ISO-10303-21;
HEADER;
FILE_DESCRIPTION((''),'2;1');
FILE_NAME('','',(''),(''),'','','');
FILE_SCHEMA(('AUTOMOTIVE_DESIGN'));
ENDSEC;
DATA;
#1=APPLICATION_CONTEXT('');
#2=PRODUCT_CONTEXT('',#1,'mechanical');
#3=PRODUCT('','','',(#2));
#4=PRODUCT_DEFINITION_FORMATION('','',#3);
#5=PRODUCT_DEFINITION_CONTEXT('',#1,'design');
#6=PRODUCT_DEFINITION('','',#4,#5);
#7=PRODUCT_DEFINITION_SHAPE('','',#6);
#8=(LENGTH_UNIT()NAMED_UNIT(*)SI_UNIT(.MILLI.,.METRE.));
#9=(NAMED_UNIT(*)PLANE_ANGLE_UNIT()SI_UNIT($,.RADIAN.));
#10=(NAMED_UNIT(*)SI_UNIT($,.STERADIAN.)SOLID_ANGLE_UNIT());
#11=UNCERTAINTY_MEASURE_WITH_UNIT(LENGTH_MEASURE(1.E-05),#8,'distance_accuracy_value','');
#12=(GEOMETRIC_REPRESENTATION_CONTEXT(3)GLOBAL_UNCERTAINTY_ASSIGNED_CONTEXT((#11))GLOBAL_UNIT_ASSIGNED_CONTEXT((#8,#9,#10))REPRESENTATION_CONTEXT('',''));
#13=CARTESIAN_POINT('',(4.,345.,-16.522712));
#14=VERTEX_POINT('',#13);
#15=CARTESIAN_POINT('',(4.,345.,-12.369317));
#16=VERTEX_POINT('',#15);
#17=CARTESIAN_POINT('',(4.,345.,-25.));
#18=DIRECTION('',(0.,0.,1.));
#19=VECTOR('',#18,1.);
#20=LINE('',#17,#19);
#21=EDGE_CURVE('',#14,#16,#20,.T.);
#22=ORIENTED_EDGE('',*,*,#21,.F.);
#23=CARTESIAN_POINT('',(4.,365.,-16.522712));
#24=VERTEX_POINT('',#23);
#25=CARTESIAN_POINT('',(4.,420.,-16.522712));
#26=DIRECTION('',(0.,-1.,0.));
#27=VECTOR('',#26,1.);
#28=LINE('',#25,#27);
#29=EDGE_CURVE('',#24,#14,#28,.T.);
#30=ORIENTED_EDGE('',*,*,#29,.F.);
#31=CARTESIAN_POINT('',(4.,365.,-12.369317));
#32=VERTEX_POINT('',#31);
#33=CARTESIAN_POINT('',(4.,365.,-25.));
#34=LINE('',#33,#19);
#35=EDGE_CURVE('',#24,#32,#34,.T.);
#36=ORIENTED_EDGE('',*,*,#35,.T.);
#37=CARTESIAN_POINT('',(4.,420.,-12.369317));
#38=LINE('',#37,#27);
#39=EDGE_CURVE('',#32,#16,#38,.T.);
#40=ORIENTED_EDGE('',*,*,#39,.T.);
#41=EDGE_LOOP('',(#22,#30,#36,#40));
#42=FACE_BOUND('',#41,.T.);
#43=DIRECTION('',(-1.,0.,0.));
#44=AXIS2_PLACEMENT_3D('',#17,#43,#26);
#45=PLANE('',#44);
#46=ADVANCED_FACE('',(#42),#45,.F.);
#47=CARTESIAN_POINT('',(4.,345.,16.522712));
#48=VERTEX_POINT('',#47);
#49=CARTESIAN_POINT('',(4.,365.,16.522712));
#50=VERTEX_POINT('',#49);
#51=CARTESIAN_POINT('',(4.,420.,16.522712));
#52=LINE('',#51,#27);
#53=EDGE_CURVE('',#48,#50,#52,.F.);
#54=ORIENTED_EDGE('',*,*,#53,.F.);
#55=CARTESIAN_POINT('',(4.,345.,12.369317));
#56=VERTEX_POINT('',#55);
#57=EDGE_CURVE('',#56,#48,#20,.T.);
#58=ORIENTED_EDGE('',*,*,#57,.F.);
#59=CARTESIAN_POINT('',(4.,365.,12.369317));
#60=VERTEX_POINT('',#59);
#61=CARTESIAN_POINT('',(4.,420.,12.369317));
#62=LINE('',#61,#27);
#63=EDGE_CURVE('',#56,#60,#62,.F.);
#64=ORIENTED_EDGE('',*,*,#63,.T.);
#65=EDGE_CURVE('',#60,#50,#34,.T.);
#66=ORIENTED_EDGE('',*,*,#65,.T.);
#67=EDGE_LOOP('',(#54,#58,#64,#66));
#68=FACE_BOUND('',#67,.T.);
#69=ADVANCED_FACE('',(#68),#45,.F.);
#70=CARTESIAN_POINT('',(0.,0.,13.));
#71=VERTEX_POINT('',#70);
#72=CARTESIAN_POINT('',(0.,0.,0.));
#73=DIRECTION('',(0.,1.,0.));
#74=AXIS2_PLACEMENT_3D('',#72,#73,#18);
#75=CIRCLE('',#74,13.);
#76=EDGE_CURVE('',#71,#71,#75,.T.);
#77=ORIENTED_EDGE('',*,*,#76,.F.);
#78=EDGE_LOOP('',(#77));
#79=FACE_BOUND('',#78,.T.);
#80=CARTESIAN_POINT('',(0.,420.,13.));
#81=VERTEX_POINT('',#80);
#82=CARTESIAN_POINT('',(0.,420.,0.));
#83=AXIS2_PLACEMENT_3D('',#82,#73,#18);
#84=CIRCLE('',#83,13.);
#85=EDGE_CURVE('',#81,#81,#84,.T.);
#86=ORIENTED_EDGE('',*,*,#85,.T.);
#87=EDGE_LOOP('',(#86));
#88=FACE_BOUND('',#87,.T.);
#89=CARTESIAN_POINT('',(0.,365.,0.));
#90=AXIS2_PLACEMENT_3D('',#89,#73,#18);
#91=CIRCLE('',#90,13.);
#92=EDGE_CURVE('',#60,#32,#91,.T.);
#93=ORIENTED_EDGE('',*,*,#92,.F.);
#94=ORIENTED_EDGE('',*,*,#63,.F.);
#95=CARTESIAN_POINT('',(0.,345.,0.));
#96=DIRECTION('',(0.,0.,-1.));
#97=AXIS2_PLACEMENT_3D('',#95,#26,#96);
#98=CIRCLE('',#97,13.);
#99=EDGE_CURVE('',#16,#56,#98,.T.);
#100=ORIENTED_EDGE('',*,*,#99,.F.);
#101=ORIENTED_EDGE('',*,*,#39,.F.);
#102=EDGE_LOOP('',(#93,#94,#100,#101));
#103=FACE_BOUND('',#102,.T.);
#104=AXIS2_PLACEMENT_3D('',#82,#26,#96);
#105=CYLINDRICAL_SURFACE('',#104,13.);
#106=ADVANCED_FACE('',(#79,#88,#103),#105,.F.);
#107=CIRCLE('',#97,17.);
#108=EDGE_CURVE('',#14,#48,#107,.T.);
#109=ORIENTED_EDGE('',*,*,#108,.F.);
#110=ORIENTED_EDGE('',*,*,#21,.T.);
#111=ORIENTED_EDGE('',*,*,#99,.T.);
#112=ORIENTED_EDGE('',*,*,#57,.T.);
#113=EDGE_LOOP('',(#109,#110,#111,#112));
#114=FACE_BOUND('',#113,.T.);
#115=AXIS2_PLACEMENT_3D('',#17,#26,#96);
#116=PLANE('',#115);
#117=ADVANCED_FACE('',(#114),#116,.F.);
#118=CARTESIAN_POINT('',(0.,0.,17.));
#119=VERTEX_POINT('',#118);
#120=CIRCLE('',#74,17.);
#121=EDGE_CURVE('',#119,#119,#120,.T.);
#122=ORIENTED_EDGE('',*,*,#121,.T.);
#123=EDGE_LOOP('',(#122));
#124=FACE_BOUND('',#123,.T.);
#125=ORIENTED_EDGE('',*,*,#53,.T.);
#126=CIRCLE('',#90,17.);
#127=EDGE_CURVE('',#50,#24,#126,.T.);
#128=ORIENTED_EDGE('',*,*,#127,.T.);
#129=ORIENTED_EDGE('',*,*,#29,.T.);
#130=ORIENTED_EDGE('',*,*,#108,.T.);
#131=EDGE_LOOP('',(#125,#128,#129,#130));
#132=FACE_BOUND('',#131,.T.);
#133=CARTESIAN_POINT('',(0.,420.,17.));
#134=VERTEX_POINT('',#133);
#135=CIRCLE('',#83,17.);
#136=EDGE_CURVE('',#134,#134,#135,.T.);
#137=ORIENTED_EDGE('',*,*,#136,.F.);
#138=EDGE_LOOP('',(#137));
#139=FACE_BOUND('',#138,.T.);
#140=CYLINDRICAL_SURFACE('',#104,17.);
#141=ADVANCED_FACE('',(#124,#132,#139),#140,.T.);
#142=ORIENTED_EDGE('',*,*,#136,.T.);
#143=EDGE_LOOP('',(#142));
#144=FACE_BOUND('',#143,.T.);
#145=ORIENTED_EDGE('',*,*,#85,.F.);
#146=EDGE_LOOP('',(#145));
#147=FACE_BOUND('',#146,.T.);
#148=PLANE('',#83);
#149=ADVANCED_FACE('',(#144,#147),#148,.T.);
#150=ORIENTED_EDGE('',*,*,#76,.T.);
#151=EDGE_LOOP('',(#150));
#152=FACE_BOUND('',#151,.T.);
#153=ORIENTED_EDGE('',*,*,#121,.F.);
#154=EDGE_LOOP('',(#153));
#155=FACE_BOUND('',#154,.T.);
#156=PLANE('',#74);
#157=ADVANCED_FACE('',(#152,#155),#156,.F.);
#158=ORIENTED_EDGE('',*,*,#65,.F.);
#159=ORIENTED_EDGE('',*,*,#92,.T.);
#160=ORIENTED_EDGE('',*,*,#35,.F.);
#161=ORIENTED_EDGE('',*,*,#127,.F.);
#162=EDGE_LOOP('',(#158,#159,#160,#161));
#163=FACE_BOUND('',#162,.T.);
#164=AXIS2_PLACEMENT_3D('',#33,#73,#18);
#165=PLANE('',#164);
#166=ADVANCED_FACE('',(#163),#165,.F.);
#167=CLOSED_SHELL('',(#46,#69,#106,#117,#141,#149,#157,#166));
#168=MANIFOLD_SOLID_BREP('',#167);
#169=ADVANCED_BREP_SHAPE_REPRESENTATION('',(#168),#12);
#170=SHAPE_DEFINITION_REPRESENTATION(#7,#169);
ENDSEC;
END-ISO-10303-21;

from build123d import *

# Parameters (mm, degrees)
CROQUIS2_R              = 17
CROQUIS2_R_2            = 13
SALIENTE_EXTRUIR1_DEPTH = 420
CROQUIS3_W              = 25
CROQUIS3_H              = 20
CORTAR_EXTRUIR1_DEPTH   = 25


with BuildPart() as part:
    # Croquis2 → Saliente-Extruir1 (new body)
    with BuildSketch(Plane(origin=(0, 0, 0), x_dir=(1, 0, 0), z_dir=(0, 1, 0))):
        Circle(CROQUIS2_R)
        Circle(CROQUIS2_R_2, mode=Mode.SUBTRACT)
    extrude(amount=SALIENTE_EXTRUIR1_DEPTH)

    # Croquis3 → Cortar-Extruir1 (cut, symmetric)
    with BuildSketch(Plane.XY):
        with Locations((16.5, 355)):
            Rectangle(CROQUIS3_W, CROQUIS3_H)
    extrude(amount=CORTAR_EXTRUIR1_DEPTH, both=True, mode=Mode.SUBTRACT)


solid = part.part
